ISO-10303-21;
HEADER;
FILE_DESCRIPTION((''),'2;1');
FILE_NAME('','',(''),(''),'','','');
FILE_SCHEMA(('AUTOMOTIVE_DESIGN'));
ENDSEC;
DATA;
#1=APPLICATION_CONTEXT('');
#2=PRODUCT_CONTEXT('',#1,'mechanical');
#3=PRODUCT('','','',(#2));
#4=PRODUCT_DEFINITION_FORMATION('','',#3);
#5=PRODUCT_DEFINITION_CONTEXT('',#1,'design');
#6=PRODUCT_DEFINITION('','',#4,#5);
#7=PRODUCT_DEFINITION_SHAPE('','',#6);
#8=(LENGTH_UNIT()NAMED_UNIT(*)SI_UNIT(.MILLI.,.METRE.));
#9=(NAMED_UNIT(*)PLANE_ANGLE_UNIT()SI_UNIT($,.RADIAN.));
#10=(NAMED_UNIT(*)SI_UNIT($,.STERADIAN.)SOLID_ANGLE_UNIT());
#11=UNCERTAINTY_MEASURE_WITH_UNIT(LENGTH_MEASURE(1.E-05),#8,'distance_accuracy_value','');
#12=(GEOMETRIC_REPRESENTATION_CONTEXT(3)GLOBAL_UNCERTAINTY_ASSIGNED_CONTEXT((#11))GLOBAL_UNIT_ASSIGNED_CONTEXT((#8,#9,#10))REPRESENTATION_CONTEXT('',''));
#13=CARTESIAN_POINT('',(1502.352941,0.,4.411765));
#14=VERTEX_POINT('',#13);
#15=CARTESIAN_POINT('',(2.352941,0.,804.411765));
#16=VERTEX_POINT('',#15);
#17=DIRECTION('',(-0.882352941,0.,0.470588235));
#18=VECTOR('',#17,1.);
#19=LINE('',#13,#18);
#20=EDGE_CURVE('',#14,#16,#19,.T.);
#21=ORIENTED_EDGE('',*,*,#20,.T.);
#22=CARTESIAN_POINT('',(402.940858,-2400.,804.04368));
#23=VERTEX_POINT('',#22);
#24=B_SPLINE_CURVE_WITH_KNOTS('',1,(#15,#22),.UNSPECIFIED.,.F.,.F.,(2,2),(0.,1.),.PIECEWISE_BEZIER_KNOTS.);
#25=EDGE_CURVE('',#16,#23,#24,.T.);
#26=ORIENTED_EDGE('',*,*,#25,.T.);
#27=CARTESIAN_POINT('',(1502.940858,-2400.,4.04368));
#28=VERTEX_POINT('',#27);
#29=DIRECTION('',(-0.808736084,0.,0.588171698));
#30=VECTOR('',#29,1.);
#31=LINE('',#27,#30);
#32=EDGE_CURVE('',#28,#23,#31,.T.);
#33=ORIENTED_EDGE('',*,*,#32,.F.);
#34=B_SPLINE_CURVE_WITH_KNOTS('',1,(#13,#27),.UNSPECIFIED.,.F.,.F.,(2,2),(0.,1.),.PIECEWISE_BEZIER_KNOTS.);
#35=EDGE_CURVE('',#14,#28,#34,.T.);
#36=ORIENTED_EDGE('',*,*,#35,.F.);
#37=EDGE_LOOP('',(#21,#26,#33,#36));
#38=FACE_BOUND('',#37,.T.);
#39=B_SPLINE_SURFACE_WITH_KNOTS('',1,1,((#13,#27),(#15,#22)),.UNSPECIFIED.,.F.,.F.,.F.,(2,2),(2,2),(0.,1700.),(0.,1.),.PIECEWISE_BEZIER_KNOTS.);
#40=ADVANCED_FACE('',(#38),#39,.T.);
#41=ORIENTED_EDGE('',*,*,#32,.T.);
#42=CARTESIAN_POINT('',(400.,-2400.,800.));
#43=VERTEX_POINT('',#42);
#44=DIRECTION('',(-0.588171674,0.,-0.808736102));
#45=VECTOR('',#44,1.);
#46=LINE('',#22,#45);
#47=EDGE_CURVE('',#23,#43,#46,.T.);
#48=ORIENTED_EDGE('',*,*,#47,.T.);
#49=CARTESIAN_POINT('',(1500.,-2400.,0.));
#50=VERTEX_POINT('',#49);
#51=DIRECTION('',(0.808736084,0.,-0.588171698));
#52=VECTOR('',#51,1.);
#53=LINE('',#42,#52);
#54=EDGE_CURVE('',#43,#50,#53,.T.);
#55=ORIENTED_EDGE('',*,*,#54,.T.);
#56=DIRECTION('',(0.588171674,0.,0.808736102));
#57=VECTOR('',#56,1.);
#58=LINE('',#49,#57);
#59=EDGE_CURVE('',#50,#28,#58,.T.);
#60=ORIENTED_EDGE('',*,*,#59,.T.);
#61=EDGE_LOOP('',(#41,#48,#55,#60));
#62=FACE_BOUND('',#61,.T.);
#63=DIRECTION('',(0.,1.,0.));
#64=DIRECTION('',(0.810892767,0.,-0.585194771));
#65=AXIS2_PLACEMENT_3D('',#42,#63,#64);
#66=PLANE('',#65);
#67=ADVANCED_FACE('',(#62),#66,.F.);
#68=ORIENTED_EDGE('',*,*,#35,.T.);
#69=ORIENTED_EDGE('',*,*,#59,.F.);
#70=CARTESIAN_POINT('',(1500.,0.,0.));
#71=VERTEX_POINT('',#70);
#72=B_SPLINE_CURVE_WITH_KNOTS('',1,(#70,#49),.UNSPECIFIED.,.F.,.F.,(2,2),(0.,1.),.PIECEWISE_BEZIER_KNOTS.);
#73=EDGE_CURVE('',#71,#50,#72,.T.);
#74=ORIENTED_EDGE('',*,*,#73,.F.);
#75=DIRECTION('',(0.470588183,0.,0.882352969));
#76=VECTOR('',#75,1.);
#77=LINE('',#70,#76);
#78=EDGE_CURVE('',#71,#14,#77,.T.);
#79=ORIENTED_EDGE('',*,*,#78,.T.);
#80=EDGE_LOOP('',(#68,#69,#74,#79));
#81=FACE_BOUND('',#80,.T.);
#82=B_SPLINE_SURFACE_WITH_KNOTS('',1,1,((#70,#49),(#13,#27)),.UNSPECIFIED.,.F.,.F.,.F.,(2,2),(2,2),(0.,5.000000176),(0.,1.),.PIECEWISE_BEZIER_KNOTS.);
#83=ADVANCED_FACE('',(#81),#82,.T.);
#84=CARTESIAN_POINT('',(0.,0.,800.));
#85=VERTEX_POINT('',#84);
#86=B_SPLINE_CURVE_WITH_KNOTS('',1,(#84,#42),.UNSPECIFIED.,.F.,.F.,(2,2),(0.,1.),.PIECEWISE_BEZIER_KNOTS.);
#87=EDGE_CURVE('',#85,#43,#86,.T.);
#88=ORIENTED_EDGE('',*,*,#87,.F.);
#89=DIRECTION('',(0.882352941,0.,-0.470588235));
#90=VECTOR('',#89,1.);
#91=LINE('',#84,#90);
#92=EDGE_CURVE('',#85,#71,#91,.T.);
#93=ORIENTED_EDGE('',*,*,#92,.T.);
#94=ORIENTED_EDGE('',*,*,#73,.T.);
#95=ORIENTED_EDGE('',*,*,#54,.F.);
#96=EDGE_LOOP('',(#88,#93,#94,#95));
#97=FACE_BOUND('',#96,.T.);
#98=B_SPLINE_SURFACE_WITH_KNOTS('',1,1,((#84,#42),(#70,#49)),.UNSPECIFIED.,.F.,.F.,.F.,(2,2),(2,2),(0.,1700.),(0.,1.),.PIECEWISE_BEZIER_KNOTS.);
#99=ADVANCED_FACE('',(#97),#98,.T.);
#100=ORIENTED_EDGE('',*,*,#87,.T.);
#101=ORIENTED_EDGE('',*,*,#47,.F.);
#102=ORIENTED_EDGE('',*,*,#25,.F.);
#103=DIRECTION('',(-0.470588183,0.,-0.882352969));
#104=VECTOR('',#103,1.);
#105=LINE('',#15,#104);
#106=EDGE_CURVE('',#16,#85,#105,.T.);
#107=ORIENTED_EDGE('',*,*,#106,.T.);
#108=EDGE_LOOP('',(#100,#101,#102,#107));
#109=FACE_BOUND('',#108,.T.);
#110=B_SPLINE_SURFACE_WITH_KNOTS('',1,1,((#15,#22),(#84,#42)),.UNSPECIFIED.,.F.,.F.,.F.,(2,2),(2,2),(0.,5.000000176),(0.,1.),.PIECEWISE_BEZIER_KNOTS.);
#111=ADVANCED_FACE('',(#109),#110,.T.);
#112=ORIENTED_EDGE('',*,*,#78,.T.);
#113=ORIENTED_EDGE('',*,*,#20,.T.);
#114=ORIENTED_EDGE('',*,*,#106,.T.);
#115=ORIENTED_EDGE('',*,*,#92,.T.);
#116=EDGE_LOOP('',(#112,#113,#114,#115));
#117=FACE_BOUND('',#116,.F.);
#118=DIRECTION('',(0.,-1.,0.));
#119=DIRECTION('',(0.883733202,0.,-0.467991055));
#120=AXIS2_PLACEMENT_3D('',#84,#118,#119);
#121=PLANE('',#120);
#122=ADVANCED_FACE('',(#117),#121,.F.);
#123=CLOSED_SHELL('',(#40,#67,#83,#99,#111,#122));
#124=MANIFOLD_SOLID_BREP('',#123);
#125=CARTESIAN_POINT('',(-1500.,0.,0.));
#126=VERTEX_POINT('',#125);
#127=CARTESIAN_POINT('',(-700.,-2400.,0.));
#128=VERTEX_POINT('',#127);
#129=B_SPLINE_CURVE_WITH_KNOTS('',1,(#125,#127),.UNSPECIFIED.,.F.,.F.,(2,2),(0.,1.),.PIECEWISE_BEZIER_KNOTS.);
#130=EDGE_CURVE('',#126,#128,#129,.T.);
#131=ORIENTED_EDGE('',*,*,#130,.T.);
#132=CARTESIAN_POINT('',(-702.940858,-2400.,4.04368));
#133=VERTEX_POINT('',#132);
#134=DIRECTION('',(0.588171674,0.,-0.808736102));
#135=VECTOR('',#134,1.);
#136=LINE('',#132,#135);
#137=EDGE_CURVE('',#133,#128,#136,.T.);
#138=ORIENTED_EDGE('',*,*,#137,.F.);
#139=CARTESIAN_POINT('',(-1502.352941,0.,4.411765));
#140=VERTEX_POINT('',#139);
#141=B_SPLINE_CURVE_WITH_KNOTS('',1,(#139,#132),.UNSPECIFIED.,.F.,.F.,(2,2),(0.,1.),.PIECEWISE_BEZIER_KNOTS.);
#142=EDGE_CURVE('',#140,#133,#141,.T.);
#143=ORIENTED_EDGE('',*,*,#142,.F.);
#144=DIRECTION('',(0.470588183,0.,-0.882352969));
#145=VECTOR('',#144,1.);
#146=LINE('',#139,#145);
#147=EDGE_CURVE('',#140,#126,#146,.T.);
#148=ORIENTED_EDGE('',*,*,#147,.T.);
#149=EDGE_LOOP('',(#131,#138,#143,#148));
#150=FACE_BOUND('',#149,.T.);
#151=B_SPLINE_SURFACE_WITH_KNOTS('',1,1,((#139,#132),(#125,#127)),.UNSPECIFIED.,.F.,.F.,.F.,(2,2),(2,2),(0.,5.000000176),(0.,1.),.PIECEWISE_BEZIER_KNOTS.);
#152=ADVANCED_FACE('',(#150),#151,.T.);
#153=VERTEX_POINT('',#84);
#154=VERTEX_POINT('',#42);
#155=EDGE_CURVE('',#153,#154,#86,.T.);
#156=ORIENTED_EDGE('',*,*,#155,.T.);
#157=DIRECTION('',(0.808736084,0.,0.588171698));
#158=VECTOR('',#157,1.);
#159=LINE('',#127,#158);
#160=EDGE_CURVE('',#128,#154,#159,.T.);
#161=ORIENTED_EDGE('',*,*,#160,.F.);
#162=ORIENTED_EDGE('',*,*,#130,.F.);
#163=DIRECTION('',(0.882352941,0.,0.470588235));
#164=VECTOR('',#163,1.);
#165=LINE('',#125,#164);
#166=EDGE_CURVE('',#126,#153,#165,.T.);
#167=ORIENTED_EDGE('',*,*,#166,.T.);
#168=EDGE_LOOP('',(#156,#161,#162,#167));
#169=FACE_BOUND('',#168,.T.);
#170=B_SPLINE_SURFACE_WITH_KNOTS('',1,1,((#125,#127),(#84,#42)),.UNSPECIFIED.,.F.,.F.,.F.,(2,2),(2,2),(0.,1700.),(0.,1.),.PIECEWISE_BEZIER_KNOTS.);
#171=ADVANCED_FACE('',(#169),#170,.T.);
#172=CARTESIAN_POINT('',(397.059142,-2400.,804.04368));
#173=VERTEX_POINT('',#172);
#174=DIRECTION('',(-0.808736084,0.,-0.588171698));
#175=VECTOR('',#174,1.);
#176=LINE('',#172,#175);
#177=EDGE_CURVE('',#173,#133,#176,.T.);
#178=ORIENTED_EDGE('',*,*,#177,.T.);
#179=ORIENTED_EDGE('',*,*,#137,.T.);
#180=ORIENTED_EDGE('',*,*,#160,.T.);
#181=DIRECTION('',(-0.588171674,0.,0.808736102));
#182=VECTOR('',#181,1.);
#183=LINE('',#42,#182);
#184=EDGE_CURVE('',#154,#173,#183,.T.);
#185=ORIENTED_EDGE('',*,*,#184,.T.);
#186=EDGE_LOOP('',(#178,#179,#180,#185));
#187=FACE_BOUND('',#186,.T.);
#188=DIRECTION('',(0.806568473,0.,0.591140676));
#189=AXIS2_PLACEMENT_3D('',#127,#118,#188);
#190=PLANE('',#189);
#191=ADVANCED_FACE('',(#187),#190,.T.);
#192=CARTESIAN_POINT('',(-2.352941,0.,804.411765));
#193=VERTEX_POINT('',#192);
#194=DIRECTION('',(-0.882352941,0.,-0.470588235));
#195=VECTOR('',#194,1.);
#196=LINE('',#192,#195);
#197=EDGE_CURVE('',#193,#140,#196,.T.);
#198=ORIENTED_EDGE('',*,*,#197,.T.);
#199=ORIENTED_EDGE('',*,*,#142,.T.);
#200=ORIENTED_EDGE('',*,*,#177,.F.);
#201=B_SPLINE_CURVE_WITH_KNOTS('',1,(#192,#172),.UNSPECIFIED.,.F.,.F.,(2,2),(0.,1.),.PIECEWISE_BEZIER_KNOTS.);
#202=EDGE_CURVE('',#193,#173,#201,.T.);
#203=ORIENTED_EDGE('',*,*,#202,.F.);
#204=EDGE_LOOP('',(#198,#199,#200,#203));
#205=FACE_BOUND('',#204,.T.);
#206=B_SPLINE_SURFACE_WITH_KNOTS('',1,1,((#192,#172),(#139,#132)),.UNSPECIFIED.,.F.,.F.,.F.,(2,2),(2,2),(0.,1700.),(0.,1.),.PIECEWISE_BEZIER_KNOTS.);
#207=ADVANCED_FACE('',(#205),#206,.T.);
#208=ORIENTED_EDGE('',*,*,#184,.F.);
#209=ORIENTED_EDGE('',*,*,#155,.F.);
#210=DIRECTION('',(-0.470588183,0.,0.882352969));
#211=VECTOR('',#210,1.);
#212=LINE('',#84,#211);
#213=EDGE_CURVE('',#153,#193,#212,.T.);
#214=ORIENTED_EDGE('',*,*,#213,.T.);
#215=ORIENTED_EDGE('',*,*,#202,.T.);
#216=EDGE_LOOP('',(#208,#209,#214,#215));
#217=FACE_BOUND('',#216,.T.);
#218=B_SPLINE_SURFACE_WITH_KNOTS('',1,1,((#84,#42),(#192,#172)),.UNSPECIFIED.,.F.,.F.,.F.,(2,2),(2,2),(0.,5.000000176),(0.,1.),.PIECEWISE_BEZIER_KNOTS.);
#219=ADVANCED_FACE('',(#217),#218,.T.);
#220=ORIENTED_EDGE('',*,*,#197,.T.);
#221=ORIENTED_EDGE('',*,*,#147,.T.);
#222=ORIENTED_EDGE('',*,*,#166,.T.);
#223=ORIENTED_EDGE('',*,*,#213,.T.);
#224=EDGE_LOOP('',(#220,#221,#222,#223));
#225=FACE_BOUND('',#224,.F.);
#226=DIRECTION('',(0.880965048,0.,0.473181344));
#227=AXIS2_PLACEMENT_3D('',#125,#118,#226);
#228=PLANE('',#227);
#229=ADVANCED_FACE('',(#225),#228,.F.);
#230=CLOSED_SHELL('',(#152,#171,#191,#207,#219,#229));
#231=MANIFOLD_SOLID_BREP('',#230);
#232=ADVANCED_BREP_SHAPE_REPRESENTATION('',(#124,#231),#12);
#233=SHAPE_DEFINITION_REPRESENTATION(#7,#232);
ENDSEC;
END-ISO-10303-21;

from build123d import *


with BuildPart() as f5:
    # F3 (on face) → F5 section 0
    with BuildSketch(Plane.XZ):
        Polygon((0, 800), (1500, 0), (1502.352941, 4.411765), (2.352941, 804.411765), align=None)
    # F4 (on face) → F5 section 1
    with BuildSketch(Plane.XZ.offset(2400)):
        Polygon((400, 800), (1500, 0), (1502.940858, 4.04368), (402.940858, 804.04368), align=None)
    loft()


with BuildPart() as f8:
    # F6 (on face) → F8 section 0
    with BuildSketch(Plane.XZ):
        Polygon((-1500, 0), (0, 800), (-2.352941, 804.411765), (-1502.352941, 4.411765), align=None)
    # F7 (on face) → F8 section 1
    with BuildSketch(Plane.XZ.offset(2400)):
        Polygon((-700, 0), (400, 800), (397.059142, 804.04368), (-702.940858, 4.04368), align=None)
    loft()


solid = Compound([f5.part, f8.part])
